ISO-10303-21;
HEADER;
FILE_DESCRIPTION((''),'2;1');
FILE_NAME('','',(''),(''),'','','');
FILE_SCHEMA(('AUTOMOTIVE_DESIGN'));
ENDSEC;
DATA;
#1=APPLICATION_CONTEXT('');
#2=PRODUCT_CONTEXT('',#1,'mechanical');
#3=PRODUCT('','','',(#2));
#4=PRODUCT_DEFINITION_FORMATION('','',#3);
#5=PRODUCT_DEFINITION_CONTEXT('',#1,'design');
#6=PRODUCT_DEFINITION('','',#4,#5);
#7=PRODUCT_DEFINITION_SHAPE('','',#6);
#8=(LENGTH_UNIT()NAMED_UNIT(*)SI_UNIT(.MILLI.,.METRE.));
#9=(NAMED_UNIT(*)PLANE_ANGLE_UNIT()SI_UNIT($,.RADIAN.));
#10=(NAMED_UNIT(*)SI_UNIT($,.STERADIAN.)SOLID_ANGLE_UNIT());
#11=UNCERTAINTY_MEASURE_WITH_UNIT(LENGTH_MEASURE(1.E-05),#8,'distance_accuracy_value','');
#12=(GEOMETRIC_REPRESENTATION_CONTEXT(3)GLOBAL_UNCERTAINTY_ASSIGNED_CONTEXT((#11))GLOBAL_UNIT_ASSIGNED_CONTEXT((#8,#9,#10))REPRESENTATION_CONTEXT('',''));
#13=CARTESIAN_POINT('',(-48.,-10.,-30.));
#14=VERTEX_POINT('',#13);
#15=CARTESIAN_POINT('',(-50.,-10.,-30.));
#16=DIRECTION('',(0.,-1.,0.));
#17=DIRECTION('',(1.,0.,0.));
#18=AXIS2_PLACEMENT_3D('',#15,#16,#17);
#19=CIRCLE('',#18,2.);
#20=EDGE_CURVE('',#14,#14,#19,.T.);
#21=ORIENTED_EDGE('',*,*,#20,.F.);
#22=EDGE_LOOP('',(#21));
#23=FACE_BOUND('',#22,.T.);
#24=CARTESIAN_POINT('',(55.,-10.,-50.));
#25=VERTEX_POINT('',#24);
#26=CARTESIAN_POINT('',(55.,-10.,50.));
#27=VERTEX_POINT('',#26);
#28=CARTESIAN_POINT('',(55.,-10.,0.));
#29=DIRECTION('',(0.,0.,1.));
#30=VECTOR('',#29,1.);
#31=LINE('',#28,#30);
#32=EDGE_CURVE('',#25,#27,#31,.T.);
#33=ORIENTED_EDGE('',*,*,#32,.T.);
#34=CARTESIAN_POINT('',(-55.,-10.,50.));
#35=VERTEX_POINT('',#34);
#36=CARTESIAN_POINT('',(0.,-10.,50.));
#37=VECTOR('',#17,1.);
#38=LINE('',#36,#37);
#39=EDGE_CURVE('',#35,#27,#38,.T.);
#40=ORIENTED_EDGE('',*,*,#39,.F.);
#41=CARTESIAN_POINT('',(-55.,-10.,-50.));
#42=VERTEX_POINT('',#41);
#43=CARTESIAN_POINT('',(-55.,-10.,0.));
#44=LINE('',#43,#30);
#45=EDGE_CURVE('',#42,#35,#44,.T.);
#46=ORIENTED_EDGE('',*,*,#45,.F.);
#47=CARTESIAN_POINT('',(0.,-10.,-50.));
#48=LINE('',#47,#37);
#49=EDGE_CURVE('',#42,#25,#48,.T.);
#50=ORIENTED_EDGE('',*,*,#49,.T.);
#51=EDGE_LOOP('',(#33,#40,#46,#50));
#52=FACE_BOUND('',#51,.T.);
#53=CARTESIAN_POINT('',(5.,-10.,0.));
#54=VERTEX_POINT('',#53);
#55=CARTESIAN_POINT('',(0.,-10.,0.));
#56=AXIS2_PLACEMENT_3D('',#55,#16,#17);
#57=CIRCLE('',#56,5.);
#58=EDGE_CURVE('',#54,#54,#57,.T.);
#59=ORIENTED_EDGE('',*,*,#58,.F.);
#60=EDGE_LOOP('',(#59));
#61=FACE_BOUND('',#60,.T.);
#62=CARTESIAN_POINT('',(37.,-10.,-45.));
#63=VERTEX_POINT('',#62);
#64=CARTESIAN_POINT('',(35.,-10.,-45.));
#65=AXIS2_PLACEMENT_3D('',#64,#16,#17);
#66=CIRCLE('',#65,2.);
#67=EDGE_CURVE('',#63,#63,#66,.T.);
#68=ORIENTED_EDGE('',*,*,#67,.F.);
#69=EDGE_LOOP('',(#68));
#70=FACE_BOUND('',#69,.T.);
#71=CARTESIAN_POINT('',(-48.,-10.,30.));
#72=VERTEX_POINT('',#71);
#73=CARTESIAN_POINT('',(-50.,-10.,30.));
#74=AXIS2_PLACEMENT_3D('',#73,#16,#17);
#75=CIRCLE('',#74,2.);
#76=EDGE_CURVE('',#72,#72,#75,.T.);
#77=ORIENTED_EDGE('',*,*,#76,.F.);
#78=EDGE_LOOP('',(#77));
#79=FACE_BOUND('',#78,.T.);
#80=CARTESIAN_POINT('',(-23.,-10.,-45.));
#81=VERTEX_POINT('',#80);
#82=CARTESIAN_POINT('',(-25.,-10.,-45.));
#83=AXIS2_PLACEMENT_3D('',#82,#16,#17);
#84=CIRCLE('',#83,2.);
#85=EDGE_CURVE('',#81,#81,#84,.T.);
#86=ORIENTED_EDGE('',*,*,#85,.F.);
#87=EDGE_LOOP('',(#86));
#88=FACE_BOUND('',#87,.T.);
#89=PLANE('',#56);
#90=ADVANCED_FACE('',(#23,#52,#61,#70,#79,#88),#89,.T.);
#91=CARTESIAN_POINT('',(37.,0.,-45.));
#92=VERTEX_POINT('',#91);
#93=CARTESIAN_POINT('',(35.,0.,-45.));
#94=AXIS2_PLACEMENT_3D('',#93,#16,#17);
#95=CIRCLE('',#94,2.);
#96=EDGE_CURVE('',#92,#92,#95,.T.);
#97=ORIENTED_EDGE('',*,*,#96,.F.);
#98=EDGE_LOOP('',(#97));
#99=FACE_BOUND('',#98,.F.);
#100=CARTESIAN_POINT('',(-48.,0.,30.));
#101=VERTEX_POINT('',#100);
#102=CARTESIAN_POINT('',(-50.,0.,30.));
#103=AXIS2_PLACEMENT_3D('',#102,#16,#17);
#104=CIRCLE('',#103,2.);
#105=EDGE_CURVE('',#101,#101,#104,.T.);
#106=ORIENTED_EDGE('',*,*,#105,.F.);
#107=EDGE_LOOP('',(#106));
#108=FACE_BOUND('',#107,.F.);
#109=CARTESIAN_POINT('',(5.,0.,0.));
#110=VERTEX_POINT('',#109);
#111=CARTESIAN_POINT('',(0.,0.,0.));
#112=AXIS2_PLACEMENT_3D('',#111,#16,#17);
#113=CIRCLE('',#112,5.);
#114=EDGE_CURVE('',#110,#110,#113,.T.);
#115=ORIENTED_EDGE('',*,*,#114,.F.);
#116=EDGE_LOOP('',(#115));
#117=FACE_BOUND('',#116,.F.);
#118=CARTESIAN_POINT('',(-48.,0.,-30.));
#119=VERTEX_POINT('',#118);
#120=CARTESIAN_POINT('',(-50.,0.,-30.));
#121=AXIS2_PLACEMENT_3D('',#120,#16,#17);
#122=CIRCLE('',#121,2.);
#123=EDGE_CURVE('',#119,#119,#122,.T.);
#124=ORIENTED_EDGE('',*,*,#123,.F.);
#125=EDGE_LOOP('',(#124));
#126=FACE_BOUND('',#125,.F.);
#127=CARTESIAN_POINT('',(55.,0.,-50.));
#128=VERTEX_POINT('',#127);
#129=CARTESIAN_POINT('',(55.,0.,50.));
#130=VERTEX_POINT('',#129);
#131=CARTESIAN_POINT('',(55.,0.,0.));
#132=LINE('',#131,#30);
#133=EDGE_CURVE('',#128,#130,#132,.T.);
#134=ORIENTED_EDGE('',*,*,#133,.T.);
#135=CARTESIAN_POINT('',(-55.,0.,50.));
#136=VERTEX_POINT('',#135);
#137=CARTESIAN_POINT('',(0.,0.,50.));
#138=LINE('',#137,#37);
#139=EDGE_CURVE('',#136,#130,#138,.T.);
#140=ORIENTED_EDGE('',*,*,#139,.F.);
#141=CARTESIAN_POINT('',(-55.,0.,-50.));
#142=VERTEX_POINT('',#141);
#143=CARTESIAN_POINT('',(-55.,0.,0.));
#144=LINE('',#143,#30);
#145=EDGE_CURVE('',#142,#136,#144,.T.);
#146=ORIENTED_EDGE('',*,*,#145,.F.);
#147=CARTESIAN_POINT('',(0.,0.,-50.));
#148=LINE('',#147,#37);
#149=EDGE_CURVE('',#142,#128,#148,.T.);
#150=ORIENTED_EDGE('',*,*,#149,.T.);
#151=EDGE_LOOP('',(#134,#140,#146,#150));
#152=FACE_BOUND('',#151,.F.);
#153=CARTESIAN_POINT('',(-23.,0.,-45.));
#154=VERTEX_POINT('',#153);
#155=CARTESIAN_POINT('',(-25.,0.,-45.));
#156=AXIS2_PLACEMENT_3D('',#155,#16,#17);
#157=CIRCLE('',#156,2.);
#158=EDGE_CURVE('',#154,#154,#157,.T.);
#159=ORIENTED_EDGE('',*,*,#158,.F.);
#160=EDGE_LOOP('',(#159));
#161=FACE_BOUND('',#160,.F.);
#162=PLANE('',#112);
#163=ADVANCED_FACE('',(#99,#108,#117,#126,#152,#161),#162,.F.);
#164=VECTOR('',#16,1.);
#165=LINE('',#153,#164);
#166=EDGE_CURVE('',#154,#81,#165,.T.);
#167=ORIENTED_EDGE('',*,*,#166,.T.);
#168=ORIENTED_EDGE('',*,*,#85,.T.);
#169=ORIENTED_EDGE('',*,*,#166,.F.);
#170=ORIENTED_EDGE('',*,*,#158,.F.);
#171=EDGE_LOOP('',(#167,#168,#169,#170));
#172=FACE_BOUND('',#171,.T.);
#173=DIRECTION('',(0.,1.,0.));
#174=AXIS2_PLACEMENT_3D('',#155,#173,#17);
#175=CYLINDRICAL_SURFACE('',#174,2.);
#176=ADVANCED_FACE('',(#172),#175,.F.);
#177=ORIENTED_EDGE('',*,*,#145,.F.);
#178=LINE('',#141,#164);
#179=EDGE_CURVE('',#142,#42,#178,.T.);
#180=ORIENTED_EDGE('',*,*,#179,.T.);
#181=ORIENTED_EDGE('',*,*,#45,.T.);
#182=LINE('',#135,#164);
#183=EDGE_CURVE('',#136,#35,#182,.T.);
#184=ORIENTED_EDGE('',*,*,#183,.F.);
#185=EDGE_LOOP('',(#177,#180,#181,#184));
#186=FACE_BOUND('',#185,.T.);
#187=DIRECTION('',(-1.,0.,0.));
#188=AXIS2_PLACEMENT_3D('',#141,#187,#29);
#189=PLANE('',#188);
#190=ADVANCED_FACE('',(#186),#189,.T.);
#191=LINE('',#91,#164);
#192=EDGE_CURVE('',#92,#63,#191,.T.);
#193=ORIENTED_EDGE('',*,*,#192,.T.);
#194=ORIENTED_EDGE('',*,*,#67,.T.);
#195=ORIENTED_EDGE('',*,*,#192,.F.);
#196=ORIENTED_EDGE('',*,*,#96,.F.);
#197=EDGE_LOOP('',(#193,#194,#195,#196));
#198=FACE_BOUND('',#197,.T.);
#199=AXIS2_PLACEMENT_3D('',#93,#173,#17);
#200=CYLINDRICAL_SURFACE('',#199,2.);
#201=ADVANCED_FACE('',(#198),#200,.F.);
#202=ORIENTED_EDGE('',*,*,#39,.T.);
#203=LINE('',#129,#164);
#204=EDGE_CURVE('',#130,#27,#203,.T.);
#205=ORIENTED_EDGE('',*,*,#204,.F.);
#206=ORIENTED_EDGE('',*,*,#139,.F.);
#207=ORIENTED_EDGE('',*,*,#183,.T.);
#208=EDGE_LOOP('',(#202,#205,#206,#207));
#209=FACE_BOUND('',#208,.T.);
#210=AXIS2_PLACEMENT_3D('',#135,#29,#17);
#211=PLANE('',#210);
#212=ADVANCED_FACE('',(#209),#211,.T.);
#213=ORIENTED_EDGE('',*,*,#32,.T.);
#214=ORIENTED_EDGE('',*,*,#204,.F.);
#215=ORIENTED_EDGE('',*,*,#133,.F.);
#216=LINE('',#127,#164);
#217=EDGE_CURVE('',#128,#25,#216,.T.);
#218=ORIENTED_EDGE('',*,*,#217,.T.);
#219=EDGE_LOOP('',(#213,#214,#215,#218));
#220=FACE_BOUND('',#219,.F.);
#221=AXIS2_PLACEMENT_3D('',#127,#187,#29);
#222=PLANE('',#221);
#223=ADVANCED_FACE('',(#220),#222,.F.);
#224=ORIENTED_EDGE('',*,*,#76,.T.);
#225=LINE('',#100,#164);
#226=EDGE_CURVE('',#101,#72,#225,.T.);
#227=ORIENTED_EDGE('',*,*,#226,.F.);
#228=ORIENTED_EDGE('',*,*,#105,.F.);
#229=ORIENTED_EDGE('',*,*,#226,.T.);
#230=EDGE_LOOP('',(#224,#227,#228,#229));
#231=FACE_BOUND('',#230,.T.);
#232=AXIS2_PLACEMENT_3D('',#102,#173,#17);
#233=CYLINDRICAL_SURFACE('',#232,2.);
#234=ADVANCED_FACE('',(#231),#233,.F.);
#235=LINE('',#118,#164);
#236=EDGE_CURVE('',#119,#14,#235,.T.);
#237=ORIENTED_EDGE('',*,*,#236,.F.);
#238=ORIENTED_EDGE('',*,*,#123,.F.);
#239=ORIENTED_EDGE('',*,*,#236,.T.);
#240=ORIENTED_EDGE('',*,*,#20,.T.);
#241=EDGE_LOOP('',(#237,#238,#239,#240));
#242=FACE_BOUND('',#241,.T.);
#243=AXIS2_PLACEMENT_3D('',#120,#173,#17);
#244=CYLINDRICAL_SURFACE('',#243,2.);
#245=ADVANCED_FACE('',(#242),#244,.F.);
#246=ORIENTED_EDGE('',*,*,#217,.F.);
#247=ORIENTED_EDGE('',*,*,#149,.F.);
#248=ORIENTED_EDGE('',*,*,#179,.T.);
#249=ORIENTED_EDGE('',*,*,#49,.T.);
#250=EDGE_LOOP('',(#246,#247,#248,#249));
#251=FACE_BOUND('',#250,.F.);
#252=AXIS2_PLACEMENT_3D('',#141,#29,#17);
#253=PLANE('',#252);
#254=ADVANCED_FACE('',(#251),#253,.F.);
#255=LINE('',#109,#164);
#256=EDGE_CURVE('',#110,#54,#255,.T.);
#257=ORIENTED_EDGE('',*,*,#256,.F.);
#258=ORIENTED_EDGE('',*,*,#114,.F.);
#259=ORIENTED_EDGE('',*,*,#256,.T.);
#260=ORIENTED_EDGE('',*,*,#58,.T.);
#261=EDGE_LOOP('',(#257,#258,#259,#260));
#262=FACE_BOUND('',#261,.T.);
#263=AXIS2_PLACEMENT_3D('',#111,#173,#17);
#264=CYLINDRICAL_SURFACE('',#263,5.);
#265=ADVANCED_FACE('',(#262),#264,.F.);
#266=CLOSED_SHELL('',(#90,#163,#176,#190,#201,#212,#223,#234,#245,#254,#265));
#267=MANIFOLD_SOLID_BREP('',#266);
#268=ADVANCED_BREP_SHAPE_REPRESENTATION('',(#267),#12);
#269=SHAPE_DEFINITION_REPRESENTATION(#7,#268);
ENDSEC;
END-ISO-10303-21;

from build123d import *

# Parameters (mm, degrees)
F0_W     = 110
F0_H     = 100
F0_R     = 2
F0_R_2   = 5
F1_DEPTH = 10


with BuildPart() as f1:
    # F0 (on Front) → F1 (new body)
    with BuildSketch(Plane.XZ):
        Rectangle(F0_W, F0_H)
        with Locations((-50, -30)):
            Circle(F0_R, mode=Mode.SUBTRACT)
        with Locations((-25, -45)):
            Circle(F0_R, mode=Mode.SUBTRACT)
        with Locations((35, -45)):
            Circle(F0_R, mode=Mode.SUBTRACT)
        with Locations((-50, 30)):
            Circle(F0_R, mode=Mode.SUBTRACT)
        Circle(F0_R_2, mode=Mode.SUBTRACT)
    extrude(amount=F1_DEPTH)


solid = f1.part
